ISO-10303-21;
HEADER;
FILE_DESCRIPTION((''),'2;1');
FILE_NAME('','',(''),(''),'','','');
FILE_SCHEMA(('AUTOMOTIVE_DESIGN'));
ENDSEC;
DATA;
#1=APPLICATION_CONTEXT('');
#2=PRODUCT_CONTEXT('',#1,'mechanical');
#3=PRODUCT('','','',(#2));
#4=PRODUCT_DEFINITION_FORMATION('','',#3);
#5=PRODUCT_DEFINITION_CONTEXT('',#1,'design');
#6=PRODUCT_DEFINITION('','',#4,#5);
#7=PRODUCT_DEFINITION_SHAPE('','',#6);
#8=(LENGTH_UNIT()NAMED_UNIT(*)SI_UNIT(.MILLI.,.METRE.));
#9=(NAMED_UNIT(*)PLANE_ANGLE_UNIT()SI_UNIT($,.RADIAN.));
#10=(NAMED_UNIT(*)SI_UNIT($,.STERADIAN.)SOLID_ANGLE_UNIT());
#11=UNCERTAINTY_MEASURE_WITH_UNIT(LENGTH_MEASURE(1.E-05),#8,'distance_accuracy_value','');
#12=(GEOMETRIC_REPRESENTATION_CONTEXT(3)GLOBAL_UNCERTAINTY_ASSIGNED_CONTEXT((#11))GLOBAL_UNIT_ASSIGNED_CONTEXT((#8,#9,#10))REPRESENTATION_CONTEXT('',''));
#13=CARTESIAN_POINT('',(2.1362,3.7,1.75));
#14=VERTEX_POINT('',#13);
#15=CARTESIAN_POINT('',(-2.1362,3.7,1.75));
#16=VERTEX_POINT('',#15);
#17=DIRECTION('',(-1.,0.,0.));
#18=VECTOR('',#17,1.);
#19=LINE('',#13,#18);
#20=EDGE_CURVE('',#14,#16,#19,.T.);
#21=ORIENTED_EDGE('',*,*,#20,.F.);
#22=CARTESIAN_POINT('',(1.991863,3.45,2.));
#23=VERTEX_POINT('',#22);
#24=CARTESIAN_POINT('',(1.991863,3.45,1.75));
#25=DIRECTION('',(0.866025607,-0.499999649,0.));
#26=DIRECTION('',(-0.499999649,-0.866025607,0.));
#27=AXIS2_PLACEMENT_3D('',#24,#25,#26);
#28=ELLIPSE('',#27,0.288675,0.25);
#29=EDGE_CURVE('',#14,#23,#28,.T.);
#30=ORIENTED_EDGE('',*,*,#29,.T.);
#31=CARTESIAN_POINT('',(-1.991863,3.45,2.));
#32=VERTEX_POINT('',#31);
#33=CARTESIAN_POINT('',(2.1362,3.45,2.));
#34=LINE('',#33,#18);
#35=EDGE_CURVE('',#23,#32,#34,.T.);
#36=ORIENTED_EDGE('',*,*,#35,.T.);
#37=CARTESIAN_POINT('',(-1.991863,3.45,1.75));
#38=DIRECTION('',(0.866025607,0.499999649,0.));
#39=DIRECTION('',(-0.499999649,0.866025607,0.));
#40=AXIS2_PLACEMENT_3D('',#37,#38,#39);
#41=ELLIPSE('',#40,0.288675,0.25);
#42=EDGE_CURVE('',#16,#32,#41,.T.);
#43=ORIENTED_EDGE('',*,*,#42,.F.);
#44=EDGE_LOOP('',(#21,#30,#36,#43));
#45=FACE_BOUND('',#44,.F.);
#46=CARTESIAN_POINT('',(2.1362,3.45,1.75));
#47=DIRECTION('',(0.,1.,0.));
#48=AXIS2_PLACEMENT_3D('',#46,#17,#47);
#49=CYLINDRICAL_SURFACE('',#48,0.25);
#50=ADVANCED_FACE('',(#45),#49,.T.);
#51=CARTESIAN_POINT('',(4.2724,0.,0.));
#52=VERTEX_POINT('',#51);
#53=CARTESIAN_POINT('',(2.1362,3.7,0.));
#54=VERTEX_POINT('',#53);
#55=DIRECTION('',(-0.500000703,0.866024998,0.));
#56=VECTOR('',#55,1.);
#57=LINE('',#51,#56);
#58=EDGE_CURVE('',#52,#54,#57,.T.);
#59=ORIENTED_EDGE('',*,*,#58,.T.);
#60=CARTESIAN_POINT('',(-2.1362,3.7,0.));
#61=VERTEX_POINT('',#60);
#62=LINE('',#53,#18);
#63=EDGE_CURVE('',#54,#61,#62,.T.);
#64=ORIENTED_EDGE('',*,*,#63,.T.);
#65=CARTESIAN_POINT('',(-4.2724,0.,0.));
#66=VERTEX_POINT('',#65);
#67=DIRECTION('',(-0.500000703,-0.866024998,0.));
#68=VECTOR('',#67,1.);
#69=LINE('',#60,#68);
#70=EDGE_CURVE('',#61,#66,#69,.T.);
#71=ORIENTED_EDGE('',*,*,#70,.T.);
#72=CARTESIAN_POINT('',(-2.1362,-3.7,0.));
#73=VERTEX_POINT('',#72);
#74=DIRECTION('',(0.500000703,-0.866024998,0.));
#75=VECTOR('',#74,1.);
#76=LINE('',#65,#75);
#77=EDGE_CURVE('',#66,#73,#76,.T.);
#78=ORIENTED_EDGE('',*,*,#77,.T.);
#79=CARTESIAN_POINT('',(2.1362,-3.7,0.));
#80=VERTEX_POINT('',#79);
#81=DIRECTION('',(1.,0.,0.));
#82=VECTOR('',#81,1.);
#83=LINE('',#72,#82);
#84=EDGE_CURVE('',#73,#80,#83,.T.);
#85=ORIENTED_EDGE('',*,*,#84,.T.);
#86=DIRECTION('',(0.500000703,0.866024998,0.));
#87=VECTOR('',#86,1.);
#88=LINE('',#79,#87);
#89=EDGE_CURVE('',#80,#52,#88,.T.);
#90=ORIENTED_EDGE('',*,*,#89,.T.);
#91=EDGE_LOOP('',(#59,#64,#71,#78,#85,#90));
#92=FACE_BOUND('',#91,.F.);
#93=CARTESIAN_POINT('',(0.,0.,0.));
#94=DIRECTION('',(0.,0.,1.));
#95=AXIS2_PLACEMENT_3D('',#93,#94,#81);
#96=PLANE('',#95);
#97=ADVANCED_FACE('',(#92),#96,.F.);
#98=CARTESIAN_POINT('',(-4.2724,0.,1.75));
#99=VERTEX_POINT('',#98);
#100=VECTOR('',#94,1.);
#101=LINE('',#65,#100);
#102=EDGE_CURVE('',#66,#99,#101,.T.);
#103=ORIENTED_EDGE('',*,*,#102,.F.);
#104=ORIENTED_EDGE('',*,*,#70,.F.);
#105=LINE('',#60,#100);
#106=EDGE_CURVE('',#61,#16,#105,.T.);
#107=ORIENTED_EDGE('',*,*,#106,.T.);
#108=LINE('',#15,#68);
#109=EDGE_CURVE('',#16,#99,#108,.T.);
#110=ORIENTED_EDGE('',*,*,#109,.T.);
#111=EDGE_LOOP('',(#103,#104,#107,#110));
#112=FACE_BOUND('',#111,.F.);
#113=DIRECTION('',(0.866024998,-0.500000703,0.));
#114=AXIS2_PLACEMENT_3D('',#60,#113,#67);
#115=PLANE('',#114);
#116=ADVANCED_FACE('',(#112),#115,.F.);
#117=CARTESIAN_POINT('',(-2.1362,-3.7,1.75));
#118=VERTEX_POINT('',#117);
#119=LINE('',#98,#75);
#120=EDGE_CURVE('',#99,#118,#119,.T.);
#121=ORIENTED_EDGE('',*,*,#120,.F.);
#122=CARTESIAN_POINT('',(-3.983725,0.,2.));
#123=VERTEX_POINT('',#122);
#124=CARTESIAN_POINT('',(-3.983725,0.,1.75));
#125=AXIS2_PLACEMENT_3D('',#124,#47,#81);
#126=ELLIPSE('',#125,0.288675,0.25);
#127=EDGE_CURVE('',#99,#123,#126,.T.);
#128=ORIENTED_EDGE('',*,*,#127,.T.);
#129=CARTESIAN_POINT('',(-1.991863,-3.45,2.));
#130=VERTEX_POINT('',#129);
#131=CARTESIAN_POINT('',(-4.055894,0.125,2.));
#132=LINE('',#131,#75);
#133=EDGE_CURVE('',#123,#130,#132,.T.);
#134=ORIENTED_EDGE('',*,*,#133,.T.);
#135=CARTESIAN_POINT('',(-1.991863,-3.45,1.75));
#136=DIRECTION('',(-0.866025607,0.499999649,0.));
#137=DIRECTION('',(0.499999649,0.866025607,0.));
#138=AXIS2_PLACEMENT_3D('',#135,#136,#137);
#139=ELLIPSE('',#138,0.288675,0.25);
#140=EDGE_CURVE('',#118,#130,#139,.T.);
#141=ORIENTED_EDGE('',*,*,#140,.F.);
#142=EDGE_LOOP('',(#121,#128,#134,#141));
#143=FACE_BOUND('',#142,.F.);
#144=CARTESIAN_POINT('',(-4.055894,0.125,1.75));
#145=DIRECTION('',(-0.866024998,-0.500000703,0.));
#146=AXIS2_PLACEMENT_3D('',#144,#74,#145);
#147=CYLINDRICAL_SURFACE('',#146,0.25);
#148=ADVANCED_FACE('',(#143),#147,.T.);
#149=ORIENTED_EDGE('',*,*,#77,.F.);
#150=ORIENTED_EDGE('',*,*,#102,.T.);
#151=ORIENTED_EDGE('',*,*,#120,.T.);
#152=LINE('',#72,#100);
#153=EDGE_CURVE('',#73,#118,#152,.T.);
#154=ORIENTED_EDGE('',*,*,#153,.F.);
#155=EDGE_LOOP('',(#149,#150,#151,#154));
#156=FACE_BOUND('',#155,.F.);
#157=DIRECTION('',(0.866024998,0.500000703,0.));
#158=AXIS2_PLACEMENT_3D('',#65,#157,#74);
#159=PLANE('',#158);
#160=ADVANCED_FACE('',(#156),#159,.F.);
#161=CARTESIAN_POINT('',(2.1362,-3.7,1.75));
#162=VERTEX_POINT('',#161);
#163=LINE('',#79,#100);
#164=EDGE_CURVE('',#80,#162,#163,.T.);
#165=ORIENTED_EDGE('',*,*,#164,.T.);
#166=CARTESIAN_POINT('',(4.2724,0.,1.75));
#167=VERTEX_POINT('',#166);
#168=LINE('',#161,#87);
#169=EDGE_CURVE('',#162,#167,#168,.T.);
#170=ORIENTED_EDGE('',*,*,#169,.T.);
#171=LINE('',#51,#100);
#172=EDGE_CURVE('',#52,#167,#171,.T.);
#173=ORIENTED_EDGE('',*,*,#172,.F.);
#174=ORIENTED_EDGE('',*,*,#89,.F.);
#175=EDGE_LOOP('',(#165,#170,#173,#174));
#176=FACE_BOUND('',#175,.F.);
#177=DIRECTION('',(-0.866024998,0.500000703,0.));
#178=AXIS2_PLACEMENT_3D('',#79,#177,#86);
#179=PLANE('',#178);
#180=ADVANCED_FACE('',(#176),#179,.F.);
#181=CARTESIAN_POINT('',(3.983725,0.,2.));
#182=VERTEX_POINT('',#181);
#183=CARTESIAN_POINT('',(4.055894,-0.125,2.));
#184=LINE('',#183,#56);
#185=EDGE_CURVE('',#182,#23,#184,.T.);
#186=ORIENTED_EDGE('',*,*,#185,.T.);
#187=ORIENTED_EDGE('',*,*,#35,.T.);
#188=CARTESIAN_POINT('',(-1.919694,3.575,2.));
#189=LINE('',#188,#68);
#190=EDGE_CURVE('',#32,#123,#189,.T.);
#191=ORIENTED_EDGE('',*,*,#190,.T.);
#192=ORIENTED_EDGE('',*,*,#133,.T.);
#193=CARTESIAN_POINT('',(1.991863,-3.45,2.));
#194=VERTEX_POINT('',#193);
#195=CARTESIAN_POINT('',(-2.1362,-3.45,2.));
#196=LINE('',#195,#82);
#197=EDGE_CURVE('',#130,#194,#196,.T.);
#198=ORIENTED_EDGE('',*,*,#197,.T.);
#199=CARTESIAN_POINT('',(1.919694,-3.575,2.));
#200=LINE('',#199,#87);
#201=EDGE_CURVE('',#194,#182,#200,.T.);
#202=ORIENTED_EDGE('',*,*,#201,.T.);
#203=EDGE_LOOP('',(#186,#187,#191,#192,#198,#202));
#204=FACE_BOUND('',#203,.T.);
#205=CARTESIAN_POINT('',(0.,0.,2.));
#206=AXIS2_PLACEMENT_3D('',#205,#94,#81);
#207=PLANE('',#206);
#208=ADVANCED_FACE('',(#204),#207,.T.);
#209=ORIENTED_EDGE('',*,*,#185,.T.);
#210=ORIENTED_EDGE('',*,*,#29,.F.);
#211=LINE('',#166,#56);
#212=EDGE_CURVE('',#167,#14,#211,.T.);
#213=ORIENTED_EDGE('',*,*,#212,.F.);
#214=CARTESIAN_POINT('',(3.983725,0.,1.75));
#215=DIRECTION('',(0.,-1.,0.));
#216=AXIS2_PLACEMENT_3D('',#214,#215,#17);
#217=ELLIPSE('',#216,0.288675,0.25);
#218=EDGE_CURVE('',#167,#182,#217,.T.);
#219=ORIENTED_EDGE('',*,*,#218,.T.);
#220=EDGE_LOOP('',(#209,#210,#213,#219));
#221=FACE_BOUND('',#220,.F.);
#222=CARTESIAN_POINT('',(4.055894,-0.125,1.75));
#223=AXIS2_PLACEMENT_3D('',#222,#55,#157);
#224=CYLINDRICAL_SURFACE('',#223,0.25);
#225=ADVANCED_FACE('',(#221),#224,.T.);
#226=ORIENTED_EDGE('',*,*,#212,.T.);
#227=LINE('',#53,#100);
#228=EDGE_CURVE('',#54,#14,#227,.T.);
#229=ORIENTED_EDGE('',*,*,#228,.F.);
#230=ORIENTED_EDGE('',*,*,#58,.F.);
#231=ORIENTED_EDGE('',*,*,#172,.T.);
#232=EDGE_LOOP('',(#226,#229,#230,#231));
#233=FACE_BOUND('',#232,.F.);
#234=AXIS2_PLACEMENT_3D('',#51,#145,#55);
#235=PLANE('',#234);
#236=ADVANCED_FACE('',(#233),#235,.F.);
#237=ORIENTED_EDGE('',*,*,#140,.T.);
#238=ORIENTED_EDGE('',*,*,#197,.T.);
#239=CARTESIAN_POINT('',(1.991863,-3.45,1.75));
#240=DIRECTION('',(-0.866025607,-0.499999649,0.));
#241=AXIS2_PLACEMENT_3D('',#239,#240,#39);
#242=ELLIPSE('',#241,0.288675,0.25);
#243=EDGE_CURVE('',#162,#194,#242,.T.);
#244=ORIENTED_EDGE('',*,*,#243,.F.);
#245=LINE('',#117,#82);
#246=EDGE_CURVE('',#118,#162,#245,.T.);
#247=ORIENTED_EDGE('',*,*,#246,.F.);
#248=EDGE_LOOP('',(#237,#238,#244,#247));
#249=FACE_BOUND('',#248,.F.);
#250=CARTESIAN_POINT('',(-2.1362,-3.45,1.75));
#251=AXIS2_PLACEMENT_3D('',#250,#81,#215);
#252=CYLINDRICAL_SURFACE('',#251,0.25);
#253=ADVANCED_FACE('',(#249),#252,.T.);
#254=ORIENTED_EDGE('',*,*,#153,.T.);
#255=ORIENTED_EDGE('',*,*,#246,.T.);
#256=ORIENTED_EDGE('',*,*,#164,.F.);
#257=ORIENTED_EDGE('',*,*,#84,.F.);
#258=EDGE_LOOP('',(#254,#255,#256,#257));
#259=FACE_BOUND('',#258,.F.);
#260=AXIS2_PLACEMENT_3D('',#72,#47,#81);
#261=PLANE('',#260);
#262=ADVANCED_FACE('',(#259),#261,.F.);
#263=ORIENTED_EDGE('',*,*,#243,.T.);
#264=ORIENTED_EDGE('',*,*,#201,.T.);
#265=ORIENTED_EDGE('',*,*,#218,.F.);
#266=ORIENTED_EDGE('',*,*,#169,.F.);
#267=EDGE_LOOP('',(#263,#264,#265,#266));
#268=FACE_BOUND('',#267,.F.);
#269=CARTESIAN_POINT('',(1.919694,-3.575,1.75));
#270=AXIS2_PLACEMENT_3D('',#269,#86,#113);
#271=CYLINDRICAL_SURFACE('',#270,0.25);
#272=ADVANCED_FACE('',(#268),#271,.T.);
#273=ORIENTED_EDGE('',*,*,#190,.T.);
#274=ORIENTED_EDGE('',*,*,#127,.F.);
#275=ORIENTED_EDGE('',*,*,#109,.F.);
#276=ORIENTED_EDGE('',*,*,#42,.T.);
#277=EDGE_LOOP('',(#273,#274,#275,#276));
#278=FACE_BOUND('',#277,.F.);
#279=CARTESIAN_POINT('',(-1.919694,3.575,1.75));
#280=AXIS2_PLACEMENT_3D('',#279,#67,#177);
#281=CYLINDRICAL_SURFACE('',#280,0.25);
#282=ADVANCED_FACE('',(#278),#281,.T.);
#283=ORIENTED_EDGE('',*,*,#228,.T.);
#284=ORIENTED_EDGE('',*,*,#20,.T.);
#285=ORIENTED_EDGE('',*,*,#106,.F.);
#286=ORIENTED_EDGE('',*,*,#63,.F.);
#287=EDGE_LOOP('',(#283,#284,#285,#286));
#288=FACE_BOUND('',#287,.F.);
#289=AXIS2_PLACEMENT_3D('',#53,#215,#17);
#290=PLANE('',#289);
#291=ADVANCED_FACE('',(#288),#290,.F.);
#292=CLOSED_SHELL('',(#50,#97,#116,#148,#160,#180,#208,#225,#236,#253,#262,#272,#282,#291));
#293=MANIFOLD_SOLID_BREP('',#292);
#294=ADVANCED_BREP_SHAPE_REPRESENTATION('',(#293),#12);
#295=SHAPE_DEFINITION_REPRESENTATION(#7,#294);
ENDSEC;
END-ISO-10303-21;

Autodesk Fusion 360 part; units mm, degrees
sketch "Skizze1" plane through (0, 0, 0) normal (0, 0, 1) x (1, 0, 0)
  line L0 (-2.1362, 3.7) -> (-4.2724, 0)
  line L1 (-4.2724, 0) -> (-2.1362, -3.7)
  line L2 (-2.1362, -3.7) -> (2.1362, -3.7)
  line L3 (2.1362, -3.7) -> (4.2724, 0)
  line L4 (4.2724, 0) -> (2.1362, 3.7)
  line L5 (2.1362, 3.7) -> (-2.1362, 3.7)
  dimension "d1" = 7.4
extrude "Extrusion1" add sketch "Skizze1" along normal blind 2
fillet "Abrundung1" radius 0.25 1 faces at (-0.7121, -1.2333, 2)
